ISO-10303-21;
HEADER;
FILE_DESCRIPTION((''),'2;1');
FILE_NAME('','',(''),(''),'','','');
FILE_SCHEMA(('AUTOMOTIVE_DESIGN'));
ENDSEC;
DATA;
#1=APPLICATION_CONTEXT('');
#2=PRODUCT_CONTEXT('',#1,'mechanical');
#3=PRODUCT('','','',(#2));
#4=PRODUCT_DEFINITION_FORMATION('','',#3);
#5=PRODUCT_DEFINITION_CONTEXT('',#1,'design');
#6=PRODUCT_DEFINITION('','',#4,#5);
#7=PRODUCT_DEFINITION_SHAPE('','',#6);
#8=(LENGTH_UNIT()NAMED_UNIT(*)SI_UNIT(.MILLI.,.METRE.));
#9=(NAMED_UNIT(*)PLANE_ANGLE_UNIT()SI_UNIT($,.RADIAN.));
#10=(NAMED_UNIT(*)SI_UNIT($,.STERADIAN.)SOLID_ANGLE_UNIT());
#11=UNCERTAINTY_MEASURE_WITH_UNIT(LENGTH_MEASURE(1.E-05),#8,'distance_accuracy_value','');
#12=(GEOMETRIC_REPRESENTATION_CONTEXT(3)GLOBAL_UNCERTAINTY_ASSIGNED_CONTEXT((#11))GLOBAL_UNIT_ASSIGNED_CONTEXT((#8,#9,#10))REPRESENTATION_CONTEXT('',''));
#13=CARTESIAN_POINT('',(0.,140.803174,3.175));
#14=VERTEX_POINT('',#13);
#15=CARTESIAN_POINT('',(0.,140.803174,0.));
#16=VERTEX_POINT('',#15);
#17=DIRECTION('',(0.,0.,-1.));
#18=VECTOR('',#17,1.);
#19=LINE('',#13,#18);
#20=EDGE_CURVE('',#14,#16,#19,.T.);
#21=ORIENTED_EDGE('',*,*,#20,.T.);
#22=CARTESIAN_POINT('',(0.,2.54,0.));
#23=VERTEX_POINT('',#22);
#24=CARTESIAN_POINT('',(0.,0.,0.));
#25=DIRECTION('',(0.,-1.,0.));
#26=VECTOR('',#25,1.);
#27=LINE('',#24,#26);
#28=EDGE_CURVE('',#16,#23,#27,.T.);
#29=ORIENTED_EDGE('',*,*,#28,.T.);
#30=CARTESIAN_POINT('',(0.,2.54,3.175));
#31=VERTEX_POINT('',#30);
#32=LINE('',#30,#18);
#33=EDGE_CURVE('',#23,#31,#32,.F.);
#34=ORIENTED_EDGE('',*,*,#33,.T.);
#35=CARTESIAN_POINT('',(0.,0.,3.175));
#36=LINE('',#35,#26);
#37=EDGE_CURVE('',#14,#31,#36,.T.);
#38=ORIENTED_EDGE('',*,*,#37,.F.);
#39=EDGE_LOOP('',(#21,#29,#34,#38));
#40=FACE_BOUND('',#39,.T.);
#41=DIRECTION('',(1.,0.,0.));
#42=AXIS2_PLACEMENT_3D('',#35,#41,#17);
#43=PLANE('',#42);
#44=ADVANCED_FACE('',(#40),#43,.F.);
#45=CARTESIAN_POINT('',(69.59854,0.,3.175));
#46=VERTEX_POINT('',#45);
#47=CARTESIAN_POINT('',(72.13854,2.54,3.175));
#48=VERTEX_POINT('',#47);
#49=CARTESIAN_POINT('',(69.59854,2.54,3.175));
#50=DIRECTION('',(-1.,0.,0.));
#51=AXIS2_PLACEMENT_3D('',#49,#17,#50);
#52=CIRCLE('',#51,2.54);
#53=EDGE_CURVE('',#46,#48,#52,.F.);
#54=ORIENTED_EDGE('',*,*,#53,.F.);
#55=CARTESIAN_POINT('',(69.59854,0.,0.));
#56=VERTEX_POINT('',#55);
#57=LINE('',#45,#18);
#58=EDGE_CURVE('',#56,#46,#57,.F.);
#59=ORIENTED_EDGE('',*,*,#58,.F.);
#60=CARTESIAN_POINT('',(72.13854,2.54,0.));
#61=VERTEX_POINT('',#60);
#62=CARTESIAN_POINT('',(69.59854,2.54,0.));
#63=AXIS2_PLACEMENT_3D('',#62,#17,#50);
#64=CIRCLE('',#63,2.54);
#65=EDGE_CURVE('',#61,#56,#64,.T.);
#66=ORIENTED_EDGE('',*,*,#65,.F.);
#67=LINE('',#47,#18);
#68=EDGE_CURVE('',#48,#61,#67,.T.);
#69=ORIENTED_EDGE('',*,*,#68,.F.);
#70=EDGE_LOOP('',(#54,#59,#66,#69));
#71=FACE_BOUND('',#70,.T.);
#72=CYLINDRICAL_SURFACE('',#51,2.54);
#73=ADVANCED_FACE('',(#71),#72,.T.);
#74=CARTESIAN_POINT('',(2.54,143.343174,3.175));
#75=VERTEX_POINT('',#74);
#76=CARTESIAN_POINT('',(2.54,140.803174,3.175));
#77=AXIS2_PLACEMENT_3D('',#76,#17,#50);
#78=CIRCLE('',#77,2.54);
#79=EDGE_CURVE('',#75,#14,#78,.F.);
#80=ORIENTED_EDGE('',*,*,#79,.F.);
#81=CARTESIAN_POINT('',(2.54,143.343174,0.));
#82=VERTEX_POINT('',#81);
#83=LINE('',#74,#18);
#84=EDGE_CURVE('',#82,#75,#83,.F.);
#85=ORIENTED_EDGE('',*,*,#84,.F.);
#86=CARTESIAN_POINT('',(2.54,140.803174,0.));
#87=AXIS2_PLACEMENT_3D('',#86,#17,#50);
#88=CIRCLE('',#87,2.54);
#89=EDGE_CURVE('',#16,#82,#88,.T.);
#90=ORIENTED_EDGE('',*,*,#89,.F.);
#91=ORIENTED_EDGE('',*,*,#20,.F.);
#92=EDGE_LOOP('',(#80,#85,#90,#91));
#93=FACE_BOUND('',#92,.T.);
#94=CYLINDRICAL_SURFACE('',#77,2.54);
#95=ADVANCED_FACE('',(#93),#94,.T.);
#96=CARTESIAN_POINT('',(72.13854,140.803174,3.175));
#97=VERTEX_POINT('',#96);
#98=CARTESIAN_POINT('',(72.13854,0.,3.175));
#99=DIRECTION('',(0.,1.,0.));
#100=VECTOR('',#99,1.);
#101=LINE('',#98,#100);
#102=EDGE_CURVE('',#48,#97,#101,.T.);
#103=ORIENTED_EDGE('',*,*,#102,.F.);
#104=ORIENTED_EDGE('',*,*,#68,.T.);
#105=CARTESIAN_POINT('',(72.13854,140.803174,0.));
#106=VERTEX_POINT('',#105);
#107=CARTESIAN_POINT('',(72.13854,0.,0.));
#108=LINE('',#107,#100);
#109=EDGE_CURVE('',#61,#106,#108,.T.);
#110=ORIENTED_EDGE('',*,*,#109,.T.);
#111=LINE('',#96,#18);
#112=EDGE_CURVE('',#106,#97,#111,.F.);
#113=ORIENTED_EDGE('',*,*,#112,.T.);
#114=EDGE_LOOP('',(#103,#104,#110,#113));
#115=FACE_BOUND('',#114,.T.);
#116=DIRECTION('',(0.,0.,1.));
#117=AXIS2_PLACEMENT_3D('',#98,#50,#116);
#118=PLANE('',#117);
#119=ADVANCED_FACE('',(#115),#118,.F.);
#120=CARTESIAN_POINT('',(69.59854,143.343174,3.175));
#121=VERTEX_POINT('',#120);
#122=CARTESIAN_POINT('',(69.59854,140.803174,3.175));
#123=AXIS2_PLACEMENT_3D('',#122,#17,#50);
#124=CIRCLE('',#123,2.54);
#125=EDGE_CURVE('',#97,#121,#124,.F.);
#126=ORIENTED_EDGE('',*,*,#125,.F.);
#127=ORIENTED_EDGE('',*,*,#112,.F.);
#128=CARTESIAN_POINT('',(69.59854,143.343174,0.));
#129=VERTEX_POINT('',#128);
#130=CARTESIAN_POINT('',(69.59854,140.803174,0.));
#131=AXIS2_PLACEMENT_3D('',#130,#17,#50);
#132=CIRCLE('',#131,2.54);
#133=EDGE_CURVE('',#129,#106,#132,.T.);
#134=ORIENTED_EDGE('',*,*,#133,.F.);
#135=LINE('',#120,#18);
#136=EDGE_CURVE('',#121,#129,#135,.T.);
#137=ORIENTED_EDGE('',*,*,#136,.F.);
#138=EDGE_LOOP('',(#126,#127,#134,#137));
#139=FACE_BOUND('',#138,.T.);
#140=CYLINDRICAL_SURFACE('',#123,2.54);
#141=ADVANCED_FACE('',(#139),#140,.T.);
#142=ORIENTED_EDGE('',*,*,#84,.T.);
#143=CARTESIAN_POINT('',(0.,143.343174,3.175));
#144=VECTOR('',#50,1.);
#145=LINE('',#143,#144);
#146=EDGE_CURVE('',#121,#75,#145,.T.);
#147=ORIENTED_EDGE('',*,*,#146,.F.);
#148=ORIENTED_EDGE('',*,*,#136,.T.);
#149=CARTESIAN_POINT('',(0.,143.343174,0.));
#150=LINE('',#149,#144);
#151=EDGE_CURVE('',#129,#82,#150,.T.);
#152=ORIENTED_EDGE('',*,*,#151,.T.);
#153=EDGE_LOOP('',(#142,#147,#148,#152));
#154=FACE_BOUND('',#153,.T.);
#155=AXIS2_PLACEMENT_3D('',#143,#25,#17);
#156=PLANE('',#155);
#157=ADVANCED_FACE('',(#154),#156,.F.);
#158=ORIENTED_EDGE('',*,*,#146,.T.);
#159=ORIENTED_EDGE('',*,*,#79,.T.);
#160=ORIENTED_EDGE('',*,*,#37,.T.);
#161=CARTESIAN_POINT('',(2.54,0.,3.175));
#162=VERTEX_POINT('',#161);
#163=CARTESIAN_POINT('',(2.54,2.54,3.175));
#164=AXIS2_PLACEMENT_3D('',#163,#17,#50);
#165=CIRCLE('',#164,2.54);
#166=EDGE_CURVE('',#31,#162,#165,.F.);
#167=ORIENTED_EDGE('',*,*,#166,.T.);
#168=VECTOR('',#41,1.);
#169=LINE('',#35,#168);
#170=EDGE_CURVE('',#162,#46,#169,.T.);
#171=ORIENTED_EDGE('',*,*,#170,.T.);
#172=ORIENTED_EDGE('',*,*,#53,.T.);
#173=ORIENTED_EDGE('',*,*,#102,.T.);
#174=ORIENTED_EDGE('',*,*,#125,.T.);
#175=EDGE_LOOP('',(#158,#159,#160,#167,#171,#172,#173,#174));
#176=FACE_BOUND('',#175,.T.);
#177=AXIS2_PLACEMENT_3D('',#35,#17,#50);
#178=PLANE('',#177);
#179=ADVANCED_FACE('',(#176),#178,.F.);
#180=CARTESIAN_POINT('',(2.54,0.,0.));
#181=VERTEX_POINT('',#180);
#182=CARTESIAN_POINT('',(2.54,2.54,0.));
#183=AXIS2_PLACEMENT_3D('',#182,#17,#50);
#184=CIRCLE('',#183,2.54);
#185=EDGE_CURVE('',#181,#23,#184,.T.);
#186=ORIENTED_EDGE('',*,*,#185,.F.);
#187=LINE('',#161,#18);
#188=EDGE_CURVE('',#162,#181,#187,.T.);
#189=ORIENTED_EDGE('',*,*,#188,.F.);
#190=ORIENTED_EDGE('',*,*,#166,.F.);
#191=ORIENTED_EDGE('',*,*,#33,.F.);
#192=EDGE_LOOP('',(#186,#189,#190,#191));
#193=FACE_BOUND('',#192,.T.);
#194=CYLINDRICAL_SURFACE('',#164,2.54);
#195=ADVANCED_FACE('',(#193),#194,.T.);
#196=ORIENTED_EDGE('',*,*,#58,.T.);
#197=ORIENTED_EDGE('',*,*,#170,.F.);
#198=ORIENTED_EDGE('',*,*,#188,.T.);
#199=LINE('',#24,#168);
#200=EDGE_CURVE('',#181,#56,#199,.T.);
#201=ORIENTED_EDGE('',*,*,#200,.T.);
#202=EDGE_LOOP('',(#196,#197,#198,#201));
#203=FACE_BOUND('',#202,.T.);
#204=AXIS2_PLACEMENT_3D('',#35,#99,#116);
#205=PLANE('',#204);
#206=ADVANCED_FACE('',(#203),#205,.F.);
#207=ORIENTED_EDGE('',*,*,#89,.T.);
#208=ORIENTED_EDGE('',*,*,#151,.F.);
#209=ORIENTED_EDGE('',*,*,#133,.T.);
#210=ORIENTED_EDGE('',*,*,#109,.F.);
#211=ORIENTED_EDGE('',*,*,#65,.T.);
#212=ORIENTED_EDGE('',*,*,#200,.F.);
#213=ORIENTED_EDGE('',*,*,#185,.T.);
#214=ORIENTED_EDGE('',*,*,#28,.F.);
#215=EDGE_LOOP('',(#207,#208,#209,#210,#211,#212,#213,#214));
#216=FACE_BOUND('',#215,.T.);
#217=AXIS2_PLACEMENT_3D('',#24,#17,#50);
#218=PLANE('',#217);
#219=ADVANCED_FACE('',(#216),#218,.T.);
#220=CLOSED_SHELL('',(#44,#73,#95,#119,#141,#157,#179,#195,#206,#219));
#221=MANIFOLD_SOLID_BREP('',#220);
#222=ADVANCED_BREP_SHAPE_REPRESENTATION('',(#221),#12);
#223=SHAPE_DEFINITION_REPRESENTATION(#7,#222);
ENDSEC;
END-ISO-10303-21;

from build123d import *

# Parameters (mm, degrees)
SKETCH1_W           = 72.13854
SKETCH1_H           = 143.343173562
BOSS_EXTRUDE1_DEPTH = 3.175
FILLET1_R           = 2.54


with BuildPart() as part:
    # Sketch1 → Boss-Extrude1 (new body)
    with BuildSketch(Plane.XY):
        with Locations((36.06927, 71.671586781)):
            Rectangle(SKETCH1_W, SKETCH1_H)
    extrude(amount=BOSS_EXTRUDE1_DEPTH)

    # Fillet1
    fillet1_edges = [part.edges().sort_by_distance(p)[0] for p in [
        (0, 143.343173562, 1.5875),
        (72.13854, 143.343173562, 1.5875),
        (72.13854, 0, 1.5875),
        (0, 0, 1.5875),
    ]]
    fillet(fillet1_edges, radius=FILLET1_R)


solid = part.part
